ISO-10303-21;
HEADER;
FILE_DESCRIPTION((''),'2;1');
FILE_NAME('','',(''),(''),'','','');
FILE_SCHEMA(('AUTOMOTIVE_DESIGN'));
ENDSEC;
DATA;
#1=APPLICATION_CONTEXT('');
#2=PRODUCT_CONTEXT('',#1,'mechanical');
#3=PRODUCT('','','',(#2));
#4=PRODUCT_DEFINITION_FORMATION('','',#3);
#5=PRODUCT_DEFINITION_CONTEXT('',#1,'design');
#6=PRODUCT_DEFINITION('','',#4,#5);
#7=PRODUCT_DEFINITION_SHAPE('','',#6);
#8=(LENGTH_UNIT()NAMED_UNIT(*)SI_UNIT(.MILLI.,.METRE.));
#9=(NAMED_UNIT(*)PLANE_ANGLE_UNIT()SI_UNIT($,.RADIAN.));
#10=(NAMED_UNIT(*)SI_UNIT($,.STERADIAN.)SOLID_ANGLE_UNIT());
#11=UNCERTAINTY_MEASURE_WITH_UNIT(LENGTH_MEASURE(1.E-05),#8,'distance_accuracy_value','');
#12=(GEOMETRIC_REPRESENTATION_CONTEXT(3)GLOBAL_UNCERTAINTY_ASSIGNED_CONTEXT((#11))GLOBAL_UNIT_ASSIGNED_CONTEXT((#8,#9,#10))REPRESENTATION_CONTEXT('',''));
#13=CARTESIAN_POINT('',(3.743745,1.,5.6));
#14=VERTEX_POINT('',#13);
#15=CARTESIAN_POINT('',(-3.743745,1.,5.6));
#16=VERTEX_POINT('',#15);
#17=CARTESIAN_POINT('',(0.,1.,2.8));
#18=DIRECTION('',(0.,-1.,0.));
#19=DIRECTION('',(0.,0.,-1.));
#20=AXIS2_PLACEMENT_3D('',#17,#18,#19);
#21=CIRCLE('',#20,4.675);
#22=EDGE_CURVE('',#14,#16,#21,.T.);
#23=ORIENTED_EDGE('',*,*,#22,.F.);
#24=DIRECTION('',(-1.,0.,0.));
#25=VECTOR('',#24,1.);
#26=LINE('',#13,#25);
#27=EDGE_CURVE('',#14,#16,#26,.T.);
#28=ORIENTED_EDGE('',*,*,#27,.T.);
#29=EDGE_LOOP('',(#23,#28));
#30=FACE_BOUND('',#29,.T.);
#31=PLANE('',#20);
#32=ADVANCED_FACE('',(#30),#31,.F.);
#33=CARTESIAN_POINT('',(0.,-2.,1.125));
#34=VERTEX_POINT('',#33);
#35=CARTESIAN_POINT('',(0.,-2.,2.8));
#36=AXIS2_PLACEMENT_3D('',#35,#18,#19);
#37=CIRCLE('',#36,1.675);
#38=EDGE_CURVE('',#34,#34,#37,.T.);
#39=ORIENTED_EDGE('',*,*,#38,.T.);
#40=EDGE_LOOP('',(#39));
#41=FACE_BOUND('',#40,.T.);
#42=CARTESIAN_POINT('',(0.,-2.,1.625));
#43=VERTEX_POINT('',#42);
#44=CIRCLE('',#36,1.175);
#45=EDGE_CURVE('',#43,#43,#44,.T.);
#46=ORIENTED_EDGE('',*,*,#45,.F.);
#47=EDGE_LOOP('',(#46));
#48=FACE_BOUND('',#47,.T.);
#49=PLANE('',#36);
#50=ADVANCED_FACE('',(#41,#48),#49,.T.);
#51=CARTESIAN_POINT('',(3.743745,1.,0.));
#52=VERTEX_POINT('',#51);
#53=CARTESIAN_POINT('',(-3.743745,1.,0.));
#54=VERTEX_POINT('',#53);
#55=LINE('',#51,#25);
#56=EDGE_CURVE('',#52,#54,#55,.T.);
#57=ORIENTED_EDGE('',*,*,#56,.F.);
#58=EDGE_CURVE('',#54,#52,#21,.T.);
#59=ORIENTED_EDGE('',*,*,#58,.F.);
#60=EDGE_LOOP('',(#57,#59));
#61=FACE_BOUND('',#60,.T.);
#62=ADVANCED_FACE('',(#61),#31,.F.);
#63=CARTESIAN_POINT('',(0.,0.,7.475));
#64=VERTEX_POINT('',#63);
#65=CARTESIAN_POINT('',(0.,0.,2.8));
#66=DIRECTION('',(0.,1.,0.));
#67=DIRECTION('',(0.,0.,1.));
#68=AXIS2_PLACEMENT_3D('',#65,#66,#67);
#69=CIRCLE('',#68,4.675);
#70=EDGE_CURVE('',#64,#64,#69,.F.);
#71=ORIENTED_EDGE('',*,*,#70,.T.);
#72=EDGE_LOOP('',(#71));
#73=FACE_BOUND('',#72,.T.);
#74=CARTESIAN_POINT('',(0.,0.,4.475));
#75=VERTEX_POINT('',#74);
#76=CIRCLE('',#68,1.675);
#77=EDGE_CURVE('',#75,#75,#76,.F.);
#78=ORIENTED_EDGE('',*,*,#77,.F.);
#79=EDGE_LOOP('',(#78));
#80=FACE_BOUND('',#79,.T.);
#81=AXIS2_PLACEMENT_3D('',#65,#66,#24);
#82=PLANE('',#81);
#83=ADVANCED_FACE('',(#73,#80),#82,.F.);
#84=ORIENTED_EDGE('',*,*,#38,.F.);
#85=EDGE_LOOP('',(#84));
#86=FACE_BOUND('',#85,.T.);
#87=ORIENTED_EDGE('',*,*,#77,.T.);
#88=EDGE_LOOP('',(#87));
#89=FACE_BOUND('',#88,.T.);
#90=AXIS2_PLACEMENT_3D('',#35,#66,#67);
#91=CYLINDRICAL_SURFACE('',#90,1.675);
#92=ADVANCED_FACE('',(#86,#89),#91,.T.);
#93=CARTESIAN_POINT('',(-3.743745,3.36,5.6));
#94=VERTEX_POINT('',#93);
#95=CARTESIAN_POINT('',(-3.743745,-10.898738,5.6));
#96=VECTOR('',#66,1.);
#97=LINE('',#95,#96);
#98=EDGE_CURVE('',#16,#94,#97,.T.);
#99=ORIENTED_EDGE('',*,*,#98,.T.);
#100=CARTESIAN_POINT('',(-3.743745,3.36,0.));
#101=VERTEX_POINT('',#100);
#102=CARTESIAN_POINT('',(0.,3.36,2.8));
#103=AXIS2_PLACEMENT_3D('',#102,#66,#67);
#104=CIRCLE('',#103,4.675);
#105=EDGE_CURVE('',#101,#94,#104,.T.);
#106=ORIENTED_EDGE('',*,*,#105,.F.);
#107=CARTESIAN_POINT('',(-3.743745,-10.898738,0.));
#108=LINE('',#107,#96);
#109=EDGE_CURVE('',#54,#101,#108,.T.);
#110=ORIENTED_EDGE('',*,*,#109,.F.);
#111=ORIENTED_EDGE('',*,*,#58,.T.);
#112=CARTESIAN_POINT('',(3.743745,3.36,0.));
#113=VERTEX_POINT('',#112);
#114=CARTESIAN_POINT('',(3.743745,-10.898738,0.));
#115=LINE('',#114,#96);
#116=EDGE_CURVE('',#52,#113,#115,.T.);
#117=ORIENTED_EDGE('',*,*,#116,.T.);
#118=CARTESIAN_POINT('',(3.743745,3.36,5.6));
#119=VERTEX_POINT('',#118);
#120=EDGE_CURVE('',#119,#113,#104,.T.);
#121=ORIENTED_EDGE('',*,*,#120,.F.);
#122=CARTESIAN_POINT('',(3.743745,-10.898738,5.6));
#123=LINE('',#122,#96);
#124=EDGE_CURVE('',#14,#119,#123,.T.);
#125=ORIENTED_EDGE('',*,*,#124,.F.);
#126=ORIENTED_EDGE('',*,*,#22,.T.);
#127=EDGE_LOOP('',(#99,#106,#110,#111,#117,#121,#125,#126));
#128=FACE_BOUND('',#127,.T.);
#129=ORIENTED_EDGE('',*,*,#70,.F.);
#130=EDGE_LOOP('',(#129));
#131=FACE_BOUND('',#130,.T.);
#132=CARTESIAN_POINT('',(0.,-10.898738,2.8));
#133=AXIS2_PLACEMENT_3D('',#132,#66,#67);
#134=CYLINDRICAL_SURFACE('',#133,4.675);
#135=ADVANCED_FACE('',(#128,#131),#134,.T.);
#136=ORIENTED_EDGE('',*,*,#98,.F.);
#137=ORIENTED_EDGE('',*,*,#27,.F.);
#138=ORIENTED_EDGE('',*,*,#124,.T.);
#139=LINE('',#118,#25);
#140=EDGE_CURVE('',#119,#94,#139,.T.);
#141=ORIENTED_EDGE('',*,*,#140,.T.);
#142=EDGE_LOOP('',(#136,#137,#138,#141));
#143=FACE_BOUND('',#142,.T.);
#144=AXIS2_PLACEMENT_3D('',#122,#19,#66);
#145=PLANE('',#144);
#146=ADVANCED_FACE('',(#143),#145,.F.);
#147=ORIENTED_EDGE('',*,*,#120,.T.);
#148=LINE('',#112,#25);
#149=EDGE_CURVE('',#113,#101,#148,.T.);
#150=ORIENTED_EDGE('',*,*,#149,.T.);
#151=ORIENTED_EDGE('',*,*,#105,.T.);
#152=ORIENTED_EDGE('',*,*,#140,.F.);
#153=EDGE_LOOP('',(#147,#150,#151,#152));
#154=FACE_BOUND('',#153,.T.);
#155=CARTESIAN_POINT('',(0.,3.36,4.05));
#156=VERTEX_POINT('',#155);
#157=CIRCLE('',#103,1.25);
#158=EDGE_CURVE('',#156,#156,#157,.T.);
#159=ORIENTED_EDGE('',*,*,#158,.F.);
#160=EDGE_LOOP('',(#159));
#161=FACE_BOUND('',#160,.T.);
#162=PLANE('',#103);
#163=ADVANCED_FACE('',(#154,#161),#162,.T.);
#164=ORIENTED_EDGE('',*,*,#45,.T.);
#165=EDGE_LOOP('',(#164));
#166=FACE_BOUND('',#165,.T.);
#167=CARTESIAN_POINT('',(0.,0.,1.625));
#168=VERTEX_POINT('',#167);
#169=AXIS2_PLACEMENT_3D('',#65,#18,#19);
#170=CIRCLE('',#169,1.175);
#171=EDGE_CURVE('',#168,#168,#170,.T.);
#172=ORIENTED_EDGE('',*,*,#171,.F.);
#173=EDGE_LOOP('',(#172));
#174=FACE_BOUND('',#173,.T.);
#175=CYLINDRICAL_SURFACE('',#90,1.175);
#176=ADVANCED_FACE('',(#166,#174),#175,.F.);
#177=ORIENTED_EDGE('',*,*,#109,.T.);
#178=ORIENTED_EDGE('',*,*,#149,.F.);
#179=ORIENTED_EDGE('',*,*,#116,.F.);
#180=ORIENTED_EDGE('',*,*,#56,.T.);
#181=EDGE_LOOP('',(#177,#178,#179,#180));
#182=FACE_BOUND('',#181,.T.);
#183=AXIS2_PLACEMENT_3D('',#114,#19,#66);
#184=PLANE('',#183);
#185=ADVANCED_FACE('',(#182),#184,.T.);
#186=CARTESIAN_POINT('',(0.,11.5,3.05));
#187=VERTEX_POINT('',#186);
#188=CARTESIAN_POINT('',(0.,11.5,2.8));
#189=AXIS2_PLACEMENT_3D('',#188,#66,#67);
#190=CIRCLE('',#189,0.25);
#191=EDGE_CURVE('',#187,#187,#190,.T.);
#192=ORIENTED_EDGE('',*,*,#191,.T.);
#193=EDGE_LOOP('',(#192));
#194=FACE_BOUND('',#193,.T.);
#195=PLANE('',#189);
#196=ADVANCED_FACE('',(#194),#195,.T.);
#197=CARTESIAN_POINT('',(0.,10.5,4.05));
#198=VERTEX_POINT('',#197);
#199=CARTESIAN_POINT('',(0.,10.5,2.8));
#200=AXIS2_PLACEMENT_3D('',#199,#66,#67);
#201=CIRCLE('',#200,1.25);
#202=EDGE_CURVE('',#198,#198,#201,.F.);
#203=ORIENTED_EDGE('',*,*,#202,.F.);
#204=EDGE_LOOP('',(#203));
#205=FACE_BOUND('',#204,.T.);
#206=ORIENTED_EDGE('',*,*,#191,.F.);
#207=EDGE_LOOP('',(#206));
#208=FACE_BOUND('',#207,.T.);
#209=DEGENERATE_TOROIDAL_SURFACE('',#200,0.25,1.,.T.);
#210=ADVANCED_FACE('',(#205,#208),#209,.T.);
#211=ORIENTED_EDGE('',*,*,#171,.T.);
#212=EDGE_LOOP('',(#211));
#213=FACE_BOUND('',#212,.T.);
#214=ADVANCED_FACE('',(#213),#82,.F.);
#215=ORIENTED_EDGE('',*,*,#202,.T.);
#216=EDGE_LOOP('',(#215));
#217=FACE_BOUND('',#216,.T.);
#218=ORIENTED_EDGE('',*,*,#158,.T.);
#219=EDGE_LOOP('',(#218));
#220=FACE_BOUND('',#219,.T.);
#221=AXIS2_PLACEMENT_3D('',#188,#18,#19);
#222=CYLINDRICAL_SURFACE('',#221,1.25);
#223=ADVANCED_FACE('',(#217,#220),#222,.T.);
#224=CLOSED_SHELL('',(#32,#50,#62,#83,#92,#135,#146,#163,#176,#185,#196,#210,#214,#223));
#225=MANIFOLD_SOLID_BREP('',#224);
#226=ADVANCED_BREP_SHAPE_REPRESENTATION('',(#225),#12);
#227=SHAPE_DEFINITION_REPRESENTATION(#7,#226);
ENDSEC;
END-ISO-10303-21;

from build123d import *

# Parameters (mm, degrees)
BASE_EXTRUDE_DEPTH  = 3.36
SKETCH3_R           = 1.25
BOSS_EXTRUDE1_DEPTH = 8.14
FILLET1_R           = 1
BOSS_EXTRUDE2_START = -1
SKETCH4_R           = 4.675
BOSS_EXTRUDE2_DEPTH = 1
SKETCH5_R           = 1.675
SKETCH5_R_2         = 1.175
BOSS_EXTRUDE3_DEPTH = 2


with BuildPart() as part:
    # Sketch2 → Base-Extrude (new body)
    with BuildSketch(Plane(origin=(0, 3.36, 0), x_dir=(-1, 0, 0), z_dir=(0, 1, 0))):
        with BuildLine():
            Line((-3.743744783, 0), (3.743744783, 0))
            ThreePointArc((3.743744783, 0), (4.675, 2.8), (3.743744783, 5.6))
            Line((3.743744783, 5.6), (-3.743744783, 5.6))
            ThreePointArc((-3.743744783, 5.6), (-4.675, 2.8), (-3.743744783, 0))
        make_face()
    extrude(amount=-BASE_EXTRUDE_DEPTH)

    # Sketch3 → Boss-Extrude1 (add)
    with BuildSketch(Plane(origin=(0, 3.36, 0), x_dir=(-1, 0, 0), z_dir=(0, 1, 0))):
        with Locations(Location((0, 2.8, 0), (0, 0, 90))):
            Circle(SKETCH3_R)
    extrude(amount=BOSS_EXTRUDE1_DEPTH)

    # Fillet1
    fillet1_edges = [part.edges().sort_by_distance(p)[0] for p in [
        (0, 11.5, 1.55),
    ]]
    fillet(fillet1_edges, radius=FILLET1_R)

    # Sketch4 → Boss-Extrude2 (add)
    with BuildSketch(Plane.XZ.offset(BOSS_EXTRUDE2_START)):
        with Locations(Location((0, 2.8, 0), (0, 0, 90))):
            Circle(SKETCH4_R)
    extrude(amount=BOSS_EXTRUDE2_DEPTH)

    # Sketch5 → Boss-Extrude3 (add)
    with BuildSketch(Plane.XZ):
        with Locations(Location((0, 2.8, 0), (0, 0, 90))):
            Circle(SKETCH5_R)
        with Locations(Location((0, 2.8, 0), (0, 0, 270))):
            Circle(SKETCH5_R_2, mode=Mode.SUBTRACT)
    extrude(amount=BOSS_EXTRUDE3_DEPTH)


solid = part.part
